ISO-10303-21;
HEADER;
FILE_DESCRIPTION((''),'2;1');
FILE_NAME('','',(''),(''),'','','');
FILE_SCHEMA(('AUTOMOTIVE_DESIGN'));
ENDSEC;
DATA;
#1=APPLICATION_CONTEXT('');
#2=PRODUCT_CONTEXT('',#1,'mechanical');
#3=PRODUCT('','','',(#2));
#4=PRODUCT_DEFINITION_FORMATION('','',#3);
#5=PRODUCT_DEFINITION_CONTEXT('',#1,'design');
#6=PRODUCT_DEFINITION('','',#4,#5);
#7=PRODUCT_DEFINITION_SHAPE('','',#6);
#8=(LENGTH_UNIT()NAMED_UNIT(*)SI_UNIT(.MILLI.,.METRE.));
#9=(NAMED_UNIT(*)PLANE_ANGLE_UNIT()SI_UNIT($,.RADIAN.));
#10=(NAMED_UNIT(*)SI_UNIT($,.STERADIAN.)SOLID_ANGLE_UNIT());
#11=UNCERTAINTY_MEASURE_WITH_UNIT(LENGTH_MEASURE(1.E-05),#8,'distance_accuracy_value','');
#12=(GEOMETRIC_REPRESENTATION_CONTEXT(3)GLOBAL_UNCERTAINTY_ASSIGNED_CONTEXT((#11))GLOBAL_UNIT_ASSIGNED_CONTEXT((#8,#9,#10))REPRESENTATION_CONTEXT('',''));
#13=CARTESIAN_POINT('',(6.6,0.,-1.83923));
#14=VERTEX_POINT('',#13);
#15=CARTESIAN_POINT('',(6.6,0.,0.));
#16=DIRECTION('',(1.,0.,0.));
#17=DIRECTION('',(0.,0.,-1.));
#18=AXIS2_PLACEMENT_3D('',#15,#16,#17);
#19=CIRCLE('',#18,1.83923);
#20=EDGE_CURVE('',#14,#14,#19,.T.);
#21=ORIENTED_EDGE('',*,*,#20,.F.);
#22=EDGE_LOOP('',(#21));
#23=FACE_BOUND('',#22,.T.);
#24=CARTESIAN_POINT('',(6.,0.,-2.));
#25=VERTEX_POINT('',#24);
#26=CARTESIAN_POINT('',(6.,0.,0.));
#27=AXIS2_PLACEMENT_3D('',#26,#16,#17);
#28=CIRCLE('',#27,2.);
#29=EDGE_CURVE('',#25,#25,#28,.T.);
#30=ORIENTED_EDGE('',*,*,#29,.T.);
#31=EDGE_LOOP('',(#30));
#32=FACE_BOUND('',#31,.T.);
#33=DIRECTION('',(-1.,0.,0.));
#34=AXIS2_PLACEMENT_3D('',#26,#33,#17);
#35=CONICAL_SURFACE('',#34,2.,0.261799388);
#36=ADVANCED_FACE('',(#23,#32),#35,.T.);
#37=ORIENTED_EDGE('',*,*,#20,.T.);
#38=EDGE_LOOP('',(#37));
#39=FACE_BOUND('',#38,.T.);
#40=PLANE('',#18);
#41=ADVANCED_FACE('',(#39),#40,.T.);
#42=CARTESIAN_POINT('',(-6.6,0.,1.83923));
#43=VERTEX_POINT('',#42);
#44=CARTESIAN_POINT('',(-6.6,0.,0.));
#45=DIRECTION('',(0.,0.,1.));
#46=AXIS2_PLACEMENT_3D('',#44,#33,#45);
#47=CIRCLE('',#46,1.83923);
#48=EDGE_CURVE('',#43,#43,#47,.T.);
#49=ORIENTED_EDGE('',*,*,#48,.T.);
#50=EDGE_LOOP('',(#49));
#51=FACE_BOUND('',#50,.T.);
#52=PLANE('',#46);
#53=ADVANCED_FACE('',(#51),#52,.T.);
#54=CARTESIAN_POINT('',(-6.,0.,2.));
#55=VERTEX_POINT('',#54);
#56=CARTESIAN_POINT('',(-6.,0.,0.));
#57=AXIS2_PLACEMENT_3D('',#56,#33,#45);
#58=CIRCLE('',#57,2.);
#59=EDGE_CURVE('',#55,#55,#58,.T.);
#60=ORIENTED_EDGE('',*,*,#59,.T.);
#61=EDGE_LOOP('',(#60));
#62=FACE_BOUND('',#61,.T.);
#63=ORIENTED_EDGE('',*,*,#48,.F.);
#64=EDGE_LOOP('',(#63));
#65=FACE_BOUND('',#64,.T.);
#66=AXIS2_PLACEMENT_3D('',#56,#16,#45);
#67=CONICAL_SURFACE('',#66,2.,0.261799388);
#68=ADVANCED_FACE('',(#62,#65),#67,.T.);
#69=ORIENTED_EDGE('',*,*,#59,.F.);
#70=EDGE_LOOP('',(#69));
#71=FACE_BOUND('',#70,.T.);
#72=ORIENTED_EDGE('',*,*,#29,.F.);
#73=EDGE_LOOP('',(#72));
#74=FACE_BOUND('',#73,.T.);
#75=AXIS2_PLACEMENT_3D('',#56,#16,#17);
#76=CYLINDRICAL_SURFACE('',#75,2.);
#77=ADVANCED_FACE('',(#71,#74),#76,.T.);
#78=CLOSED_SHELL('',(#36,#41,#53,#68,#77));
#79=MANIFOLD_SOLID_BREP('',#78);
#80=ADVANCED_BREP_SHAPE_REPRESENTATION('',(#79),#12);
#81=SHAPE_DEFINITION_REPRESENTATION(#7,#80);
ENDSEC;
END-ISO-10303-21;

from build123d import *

# Parameters (mm, degrees)
SKETCH2_R           = 2
EXTRUDE1_DEPTH      = 6
EXTRUDE1_DEPTH_BACK = 6
SKETCH3_R           = 2
EXTRUDE2_DEPTH      = 0.6
EXTRUDE2_TAPER      = 15
SKETCH4_R           = 2
EXTRUDE3_DEPTH      = 0.6
EXTRUDE3_TAPER      = 15


with BuildPart() as part:
    # Sketch2 → Extrude1 (new body, two sides)
    with BuildSketch(Plane(origin=(0, 0, 0), x_dir=(0, 0, -1), z_dir=(1, 0, 0))) as extrude1_sk:
        Circle(SKETCH2_R)
    extrude(amount=EXTRUDE1_DEPTH)
    extrude(extrude1_sk.sketch, amount=-EXTRUDE1_DEPTH_BACK)

    # Sketch3 → Extrude2 (add)
    with BuildSketch(Plane(origin=(6, 0, 0), x_dir=(0, 0, -1), z_dir=(1, 0, 0))):
        Circle(SKETCH3_R)
    extrude(amount=EXTRUDE2_DEPTH, taper=EXTRUDE2_TAPER)

    # Sketch4 → Extrude3 (add)
    with BuildSketch(Plane.ZY.offset(6)):
        Circle(SKETCH4_R)
    extrude(amount=EXTRUDE3_DEPTH, taper=EXTRUDE3_TAPER)


solid = part.part
